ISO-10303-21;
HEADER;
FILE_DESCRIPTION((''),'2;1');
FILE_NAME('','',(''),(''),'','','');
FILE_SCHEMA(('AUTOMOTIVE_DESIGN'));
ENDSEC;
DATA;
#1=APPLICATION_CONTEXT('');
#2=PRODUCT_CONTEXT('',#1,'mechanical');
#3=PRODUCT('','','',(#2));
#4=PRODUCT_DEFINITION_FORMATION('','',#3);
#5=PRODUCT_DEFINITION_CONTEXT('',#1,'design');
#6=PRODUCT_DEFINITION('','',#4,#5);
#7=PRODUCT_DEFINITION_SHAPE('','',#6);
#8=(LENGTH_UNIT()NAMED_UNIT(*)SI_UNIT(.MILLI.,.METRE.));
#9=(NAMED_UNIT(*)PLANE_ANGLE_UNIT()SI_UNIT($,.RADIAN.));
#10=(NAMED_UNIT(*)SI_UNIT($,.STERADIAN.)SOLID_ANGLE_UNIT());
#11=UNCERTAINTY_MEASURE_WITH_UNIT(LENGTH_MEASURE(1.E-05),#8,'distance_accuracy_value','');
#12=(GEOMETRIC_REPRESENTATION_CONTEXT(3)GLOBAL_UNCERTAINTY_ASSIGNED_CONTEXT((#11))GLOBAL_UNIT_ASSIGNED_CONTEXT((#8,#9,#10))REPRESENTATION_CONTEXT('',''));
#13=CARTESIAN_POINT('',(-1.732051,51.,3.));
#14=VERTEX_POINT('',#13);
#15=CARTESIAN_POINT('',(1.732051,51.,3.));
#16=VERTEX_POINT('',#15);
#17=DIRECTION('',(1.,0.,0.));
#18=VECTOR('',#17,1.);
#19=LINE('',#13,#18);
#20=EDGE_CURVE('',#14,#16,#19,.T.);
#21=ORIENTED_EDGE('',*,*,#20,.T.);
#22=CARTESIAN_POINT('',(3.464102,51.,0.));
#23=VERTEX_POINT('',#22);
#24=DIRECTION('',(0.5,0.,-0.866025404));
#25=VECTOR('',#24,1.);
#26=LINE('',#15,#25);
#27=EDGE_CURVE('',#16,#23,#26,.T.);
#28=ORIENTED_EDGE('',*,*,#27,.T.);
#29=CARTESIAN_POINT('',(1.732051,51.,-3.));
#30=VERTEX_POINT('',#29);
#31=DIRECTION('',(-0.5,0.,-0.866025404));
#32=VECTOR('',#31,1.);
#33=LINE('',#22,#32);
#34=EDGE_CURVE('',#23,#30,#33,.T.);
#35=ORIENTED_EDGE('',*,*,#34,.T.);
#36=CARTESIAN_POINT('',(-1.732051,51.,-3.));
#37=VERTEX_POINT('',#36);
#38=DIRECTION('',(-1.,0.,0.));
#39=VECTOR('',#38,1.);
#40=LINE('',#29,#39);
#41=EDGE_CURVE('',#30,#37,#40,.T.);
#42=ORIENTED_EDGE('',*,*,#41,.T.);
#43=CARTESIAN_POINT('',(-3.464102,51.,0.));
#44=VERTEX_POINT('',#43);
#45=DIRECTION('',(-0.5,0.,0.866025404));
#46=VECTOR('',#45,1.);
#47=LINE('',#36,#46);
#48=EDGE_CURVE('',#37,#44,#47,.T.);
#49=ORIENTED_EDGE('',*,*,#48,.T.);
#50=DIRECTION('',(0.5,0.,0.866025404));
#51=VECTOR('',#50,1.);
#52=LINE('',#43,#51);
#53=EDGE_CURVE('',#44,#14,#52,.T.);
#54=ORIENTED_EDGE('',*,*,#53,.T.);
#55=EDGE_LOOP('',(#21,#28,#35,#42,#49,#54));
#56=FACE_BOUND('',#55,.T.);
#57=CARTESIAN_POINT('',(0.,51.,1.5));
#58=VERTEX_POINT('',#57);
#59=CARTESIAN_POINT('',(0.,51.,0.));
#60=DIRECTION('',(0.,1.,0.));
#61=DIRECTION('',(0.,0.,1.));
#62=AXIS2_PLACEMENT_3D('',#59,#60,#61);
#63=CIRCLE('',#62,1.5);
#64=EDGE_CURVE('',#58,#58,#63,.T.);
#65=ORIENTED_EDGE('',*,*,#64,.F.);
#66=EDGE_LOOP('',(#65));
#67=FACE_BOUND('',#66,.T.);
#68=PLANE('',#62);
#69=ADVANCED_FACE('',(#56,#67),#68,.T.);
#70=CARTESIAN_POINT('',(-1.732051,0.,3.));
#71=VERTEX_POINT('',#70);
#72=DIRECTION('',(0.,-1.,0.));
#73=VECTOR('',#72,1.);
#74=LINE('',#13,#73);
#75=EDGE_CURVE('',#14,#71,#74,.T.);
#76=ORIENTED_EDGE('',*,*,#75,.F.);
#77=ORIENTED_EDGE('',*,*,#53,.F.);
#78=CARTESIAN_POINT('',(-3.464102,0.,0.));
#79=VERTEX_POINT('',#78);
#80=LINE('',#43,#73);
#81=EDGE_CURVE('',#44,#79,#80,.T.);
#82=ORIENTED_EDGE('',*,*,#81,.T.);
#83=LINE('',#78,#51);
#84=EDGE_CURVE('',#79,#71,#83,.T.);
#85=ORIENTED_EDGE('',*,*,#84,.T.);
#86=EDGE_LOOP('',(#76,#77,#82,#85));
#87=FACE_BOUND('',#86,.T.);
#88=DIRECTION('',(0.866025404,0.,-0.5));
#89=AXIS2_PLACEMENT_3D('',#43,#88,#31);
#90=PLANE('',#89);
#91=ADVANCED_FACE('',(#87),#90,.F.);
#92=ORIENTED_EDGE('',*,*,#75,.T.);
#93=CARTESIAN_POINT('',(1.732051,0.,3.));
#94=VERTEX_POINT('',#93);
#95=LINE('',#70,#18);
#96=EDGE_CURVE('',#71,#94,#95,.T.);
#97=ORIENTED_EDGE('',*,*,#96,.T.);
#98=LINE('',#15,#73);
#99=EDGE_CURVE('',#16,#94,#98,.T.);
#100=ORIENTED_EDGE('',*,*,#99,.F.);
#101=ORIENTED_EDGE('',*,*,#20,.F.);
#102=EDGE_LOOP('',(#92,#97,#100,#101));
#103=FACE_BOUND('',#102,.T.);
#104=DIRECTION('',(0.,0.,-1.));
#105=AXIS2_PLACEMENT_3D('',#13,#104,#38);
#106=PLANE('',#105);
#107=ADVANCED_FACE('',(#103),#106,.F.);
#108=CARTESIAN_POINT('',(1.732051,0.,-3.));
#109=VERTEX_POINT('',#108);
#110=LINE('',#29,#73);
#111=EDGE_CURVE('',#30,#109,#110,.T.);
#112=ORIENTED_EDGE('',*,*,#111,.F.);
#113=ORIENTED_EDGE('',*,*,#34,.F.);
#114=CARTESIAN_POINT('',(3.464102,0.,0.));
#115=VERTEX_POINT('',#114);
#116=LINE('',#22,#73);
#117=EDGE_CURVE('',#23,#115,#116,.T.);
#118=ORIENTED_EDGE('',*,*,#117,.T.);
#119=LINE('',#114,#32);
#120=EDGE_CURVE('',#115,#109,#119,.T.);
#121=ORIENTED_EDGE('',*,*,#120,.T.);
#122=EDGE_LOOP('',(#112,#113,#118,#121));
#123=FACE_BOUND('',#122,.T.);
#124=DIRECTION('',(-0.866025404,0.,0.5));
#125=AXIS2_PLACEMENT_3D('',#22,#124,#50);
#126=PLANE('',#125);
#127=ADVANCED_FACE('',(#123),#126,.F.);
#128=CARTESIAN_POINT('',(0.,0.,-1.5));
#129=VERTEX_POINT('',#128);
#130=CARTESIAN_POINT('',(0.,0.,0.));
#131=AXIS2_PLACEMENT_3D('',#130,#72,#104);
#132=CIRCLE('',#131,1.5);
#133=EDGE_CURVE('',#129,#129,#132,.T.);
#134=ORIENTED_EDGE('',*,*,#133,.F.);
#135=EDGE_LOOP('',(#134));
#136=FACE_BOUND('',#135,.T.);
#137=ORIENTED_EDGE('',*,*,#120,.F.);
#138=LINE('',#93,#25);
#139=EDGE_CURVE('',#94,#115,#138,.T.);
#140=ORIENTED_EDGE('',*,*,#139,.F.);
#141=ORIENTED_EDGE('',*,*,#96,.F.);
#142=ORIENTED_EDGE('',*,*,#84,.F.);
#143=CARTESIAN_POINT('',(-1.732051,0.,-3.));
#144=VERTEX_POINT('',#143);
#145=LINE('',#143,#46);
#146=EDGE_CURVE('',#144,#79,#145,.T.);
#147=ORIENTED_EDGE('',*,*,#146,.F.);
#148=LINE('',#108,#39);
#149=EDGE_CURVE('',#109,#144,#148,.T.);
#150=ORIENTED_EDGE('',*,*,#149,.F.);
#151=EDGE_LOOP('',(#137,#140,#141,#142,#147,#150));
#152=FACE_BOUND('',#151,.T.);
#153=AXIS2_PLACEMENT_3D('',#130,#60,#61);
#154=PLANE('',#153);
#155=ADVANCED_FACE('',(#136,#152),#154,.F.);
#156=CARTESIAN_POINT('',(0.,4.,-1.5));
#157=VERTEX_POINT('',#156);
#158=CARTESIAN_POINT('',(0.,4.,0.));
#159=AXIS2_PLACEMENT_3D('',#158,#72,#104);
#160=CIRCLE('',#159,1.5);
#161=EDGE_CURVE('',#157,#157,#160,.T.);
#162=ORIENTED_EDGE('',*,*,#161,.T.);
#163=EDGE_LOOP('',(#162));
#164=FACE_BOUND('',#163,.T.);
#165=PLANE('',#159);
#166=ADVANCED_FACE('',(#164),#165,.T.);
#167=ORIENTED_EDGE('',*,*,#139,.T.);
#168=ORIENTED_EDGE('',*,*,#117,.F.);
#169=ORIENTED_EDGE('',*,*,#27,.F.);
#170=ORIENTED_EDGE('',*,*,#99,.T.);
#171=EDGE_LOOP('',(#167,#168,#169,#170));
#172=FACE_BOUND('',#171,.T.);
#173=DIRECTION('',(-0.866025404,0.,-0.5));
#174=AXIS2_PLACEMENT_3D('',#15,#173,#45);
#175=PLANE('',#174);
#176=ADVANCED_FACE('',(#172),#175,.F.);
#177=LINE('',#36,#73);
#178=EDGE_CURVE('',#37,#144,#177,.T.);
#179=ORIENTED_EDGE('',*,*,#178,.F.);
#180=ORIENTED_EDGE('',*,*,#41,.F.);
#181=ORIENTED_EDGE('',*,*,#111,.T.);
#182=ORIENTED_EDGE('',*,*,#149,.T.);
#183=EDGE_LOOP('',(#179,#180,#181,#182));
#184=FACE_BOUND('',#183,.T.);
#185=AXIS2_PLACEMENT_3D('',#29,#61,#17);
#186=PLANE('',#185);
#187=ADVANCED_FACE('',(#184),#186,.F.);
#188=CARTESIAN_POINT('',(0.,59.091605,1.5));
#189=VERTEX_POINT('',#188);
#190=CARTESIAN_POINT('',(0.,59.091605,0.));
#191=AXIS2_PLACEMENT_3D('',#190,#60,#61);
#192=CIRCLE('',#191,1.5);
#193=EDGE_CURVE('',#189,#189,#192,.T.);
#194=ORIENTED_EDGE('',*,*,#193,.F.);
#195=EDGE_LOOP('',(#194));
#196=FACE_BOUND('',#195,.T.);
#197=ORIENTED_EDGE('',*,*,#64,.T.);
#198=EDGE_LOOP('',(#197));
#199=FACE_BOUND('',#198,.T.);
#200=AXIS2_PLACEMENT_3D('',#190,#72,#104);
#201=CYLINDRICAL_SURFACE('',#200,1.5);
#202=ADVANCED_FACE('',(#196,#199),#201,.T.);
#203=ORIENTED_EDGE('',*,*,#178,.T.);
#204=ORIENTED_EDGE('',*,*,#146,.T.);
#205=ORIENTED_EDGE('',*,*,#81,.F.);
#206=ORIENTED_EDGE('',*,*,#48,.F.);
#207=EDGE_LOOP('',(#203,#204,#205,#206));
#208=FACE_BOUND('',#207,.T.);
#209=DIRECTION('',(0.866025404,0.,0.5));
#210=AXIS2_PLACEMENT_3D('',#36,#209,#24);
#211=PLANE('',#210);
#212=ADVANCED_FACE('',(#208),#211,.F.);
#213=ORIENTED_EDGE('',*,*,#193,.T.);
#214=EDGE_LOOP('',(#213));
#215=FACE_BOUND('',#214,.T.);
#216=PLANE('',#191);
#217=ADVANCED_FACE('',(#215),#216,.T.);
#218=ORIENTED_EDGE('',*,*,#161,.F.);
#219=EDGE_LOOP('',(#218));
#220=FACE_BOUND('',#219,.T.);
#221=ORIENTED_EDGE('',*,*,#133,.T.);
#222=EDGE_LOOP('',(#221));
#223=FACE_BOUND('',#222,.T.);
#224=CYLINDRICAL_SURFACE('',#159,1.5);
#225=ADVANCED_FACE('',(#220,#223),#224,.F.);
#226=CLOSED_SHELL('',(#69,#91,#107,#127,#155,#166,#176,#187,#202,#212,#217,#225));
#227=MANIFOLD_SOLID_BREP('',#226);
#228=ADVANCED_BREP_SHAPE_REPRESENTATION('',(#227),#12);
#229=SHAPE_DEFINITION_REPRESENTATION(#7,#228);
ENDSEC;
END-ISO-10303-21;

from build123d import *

# Parameters (mm, degrees)
BOSS_EXTRUDE1_DEPTH = 51
SKETCH5_R           = 1.5
BOSS_EXTRUDE2_DEPTH = 8.091605471
SKETCH6_R           = 1.5
CUT_EXTRUDE1_DEPTH  = 4


with BuildPart() as part:
    # Sketch3 → Boss-Extrude1 (new body)
    with BuildSketch(Plane(origin=(0, 0, 0), x_dir=(1, 0, 0), z_dir=(0, 1, 0))):
        Polygon((-3.464101615, 0), (-1.732050808, -3), (1.732050808, -3), (3.464101615, 0), (1.732050808, 3), (-1.732050808, 3), align=None)
    extrude(amount=BOSS_EXTRUDE1_DEPTH)

    # Sketch5 → Boss-Extrude2 (add)
    with BuildSketch(Plane(origin=(0, 51, 0), x_dir=(1, 0, 0), z_dir=(0, 1, 0))):
        with Locations(Location((0, 0, 0), (0, 0, 270))):
            Circle(SKETCH5_R)
    extrude(amount=BOSS_EXTRUDE2_DEPTH)

    # Sketch6 → Cut-Extrude1 (cut)
    with BuildSketch(Plane.XZ):
        with Locations(Location((0, 0, 0), (0, 0, 90))):
            Circle(SKETCH6_R)
    extrude(amount=-CUT_EXTRUDE1_DEPTH, mode=Mode.SUBTRACT)


solid = part.part
